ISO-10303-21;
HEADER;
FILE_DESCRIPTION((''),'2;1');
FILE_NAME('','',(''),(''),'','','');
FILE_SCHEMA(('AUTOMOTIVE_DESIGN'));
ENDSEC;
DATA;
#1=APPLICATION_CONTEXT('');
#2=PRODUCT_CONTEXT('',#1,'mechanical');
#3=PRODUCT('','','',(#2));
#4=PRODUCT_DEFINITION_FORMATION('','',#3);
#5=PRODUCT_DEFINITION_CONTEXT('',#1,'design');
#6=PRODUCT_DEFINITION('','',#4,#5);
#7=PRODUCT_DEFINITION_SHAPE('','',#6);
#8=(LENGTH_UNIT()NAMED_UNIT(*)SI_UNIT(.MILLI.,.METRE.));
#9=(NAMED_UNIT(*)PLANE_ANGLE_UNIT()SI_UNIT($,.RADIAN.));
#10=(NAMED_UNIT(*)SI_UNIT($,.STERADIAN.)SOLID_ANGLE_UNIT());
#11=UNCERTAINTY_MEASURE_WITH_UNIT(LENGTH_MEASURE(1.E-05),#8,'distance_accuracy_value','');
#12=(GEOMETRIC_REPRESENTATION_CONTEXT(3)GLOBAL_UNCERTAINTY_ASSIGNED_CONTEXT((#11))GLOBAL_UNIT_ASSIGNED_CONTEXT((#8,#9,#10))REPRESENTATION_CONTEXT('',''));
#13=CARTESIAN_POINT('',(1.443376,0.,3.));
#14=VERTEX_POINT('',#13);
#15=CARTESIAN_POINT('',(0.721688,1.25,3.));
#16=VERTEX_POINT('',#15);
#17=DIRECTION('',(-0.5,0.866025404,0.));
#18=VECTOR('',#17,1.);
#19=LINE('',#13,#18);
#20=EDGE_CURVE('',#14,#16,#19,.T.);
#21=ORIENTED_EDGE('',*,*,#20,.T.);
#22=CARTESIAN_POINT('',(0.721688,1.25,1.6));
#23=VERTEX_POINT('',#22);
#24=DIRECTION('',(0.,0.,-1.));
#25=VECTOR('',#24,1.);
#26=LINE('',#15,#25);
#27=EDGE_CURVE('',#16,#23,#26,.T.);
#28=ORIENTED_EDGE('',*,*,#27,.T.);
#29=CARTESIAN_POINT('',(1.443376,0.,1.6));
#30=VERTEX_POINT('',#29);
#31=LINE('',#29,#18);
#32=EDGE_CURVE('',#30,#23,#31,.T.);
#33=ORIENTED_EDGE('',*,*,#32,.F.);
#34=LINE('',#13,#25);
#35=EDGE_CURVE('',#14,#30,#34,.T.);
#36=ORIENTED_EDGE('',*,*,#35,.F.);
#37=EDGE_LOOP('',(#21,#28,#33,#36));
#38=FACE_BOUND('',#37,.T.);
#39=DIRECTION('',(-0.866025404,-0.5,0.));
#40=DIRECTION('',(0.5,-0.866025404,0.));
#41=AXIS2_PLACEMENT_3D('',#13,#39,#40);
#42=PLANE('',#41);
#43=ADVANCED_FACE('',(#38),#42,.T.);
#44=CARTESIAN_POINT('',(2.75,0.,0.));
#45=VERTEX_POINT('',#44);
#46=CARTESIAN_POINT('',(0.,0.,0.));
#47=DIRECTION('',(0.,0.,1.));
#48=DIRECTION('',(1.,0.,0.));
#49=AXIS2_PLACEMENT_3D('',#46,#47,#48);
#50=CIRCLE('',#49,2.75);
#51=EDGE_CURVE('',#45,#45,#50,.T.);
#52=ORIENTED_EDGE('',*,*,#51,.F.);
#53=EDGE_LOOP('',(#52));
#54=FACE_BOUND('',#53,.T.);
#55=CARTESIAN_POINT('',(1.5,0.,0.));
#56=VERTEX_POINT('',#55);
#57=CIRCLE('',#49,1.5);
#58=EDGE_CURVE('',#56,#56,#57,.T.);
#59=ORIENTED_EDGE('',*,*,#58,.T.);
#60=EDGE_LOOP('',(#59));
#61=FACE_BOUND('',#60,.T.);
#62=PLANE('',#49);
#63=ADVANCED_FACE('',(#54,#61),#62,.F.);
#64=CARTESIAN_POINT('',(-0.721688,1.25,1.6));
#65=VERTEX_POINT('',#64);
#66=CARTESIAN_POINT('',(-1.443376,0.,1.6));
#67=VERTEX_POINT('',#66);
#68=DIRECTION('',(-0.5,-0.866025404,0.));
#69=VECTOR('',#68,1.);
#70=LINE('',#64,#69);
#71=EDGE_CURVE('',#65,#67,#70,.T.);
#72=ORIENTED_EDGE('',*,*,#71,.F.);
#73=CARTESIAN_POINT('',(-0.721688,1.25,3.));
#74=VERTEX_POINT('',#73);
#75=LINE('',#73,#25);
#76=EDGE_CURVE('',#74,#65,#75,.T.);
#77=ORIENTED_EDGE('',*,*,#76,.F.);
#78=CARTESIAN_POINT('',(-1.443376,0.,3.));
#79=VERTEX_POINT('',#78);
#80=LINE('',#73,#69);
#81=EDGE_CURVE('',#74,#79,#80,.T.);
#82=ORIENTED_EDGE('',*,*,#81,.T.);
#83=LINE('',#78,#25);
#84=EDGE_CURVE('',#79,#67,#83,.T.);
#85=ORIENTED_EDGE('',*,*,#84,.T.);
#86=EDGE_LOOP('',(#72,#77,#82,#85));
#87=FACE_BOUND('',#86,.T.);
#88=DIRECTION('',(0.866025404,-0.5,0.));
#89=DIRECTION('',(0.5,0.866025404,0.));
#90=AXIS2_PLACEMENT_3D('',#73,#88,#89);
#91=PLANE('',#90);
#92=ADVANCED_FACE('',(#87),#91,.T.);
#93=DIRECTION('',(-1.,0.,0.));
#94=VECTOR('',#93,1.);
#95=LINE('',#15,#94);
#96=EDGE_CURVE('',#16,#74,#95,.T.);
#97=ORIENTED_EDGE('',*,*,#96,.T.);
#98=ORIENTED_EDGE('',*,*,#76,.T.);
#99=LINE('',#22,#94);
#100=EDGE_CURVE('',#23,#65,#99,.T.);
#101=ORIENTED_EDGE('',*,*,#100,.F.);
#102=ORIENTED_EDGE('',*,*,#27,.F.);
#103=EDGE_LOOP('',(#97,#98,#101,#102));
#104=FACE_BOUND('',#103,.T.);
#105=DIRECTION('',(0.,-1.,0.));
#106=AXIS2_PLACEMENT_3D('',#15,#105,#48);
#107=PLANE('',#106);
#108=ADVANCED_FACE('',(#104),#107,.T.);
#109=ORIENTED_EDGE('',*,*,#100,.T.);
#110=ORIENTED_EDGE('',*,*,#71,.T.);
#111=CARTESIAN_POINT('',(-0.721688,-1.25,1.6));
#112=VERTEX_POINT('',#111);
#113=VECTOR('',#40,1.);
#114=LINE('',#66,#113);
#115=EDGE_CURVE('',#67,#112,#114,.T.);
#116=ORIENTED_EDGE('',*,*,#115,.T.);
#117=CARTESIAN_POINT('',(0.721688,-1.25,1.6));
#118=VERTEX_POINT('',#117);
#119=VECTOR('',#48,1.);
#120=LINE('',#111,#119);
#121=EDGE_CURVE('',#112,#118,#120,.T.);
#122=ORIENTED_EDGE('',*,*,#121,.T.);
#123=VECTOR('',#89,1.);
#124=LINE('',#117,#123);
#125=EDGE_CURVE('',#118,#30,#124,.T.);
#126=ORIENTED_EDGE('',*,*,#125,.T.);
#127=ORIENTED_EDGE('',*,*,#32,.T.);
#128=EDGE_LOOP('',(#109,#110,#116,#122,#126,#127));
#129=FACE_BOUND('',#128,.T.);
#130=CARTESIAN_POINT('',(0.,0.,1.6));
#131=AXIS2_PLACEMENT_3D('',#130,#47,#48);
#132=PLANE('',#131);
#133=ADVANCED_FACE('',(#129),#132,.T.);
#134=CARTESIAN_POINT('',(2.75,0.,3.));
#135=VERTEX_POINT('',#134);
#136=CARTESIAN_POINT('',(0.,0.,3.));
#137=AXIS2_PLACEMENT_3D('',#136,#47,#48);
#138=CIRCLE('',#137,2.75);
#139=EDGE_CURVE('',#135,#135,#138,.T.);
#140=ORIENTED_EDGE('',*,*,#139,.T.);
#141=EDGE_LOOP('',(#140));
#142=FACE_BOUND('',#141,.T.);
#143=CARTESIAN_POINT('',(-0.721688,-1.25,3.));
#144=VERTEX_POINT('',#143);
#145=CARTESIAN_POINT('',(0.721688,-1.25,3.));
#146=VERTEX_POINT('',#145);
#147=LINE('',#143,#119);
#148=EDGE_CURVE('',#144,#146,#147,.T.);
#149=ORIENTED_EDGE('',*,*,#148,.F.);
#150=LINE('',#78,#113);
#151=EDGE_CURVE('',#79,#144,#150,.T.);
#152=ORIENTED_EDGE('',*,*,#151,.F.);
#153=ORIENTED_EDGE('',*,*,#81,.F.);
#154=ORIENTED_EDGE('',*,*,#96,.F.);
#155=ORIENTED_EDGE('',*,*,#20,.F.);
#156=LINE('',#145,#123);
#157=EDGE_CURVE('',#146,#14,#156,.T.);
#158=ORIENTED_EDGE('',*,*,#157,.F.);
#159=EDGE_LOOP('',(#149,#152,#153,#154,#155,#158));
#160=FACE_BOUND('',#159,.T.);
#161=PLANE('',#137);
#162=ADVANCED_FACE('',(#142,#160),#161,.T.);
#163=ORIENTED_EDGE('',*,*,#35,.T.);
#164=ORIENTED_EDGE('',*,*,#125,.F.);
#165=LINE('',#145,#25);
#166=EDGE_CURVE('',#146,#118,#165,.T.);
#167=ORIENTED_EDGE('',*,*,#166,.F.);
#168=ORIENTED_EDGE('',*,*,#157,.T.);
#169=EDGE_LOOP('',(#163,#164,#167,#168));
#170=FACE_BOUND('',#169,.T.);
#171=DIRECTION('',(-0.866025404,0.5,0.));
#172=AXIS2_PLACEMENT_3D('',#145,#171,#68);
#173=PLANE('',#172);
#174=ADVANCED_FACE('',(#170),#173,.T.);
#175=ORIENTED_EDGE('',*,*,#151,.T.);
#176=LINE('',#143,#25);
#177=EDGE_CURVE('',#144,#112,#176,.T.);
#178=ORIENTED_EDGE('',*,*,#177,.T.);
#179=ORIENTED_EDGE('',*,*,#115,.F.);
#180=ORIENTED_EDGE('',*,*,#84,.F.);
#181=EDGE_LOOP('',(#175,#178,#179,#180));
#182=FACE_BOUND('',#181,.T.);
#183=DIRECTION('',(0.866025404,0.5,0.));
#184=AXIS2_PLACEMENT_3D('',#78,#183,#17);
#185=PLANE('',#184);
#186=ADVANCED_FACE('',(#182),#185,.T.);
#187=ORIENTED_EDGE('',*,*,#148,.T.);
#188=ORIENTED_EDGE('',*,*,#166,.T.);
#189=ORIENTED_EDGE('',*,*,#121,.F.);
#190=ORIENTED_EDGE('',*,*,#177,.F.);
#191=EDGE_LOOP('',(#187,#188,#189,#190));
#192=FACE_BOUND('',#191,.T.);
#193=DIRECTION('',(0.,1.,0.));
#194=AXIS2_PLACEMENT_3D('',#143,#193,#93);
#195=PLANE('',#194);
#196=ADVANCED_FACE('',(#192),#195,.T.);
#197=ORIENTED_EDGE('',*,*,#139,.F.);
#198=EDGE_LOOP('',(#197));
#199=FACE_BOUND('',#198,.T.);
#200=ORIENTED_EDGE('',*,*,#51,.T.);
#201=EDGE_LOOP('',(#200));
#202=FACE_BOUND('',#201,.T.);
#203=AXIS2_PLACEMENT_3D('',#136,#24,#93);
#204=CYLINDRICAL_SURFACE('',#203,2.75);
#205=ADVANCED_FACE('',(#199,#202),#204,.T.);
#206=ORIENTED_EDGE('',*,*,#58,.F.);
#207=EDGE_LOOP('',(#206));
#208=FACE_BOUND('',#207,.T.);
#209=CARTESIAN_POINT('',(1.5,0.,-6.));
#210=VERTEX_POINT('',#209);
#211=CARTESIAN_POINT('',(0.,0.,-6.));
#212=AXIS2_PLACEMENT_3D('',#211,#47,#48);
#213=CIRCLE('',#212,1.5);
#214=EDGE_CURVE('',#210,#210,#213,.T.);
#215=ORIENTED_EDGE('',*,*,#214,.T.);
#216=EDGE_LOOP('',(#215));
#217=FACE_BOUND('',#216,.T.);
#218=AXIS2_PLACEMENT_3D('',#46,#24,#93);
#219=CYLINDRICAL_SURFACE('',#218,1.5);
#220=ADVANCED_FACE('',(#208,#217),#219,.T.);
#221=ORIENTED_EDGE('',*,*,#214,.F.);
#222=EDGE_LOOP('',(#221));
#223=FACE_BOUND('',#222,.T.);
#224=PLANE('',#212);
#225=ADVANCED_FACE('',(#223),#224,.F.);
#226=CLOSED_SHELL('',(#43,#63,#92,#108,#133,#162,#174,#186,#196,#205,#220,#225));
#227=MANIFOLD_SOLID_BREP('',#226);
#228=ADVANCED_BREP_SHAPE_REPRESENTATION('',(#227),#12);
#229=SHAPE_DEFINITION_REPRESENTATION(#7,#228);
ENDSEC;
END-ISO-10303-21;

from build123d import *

# Parameters (mm, degrees)
ISO4762_HEAD_D5P5_H3_SKETCH_R       = 2.75
ISO4762_HEAD_D5P5_H3_DEPTH          = 3
M3_MAJOR_DIAMETER_ENVELOPE_START    = -6
M3_MAJOR_DIAMETER_ENVELOPE_SKETCH_R = 1.5
M3_MAJOR_DIAMETER_ENVELOPE_DEPTH    = 6
HEX_SOCKET_2P5AF_START              = 1.6
HEX_SOCKET_2P5AF_DEPTH              = 1.4


with BuildPart() as part:
    # ISO4762_head_D5p5_h3_Sketch → ISO4762_head_D5p5_h3 (new body)
    with BuildSketch(Plane.XY):
        Circle(ISO4762_HEAD_D5P5_H3_SKETCH_R)
    extrude(amount=ISO4762_HEAD_D5P5_H3_DEPTH)

    # M3_major_diameter_envelope_Sketch → M3_major_diameter_envelope (add)
    with BuildSketch(Plane.XY.offset(M3_MAJOR_DIAMETER_ENVELOPE_START)):
        Circle(M3_MAJOR_DIAMETER_ENVELOPE_SKETCH_R)
    extrude(amount=M3_MAJOR_DIAMETER_ENVELOPE_DEPTH)

    # Hex_socket_2p5AF_Sketch → Hex_socket_2p5AF (cut)
    with BuildSketch(Plane.XY.offset(HEX_SOCKET_2P5AF_START)):
        Polygon((1.443375673, 0), (0.721687836, 1.25), (-0.721687836, 1.25), (-1.443375673, 0), (-0.721687836, -1.25), (0.721687836, -1.25), align=None)
    extrude(amount=HEX_SOCKET_2P5AF_DEPTH, mode=Mode.SUBTRACT)


solid = part.part
